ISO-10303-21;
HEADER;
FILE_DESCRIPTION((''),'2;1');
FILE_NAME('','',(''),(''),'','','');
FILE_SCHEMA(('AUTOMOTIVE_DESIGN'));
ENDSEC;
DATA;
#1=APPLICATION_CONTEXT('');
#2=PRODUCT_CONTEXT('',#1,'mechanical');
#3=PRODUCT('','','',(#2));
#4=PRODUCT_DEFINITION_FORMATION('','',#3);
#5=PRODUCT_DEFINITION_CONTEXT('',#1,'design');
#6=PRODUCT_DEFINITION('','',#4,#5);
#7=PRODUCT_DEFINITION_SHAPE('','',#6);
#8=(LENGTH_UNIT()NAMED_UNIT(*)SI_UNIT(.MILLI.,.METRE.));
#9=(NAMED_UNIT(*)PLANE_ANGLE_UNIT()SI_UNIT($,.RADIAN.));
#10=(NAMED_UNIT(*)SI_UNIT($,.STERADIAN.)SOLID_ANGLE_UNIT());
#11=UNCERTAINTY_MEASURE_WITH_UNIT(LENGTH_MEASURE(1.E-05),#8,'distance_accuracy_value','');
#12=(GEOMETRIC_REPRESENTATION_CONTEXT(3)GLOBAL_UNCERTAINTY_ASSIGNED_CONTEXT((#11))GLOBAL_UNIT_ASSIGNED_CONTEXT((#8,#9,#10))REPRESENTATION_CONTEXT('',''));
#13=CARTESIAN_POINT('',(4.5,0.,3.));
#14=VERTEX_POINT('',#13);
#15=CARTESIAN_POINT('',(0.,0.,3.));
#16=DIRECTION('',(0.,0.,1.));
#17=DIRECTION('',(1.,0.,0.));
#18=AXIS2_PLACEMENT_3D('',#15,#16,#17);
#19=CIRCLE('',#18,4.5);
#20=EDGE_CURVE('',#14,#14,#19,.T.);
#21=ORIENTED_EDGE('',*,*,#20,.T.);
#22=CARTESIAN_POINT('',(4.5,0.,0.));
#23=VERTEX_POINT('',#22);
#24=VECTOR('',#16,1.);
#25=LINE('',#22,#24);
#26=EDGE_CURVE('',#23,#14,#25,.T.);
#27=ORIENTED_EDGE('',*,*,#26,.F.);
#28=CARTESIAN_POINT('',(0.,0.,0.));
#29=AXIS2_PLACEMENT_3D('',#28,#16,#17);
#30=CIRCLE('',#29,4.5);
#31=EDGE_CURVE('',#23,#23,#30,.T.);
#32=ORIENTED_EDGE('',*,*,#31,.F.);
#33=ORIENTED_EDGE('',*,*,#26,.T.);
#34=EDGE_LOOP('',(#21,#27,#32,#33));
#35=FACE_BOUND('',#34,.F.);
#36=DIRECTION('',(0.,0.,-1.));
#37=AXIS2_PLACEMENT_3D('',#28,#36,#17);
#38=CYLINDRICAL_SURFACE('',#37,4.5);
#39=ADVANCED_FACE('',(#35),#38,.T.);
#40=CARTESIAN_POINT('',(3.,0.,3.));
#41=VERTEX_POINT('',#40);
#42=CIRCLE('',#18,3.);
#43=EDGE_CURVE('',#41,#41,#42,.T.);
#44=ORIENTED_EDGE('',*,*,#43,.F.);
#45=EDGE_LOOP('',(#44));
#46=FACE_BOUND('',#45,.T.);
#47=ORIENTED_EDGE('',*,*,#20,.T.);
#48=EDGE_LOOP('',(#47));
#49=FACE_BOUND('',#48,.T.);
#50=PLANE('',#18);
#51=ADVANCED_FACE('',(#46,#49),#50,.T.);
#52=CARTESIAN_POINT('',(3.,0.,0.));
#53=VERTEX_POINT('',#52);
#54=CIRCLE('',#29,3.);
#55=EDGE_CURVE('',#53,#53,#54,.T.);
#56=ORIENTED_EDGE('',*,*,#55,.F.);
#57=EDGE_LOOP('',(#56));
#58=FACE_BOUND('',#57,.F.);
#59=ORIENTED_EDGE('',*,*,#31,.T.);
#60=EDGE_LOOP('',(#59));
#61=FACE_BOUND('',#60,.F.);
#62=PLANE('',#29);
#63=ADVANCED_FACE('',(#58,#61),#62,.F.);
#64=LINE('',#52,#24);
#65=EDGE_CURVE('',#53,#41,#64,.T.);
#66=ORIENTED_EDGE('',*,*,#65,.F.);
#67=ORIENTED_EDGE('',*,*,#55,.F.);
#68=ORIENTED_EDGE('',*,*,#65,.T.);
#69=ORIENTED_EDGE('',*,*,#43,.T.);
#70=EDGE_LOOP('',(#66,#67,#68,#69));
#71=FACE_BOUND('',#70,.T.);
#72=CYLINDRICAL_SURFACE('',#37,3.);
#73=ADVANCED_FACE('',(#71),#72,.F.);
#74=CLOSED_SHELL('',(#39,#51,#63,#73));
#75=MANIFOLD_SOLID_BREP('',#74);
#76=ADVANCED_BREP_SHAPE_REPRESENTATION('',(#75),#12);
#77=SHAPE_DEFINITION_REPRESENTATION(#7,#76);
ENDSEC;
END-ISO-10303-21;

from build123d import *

# Parameters (mm, degrees)
SKETCH_R   = 4.5
SKETCH_R_2 = 3
PAD_DEPTH  = 3


with BuildPart() as part:
    # Sketch → Pad (new body)
    with BuildSketch(Plane.XY):
        Circle(SKETCH_R)
        Circle(SKETCH_R_2, mode=Mode.SUBTRACT)
    extrude(amount=PAD_DEPTH)


solid = part.part
